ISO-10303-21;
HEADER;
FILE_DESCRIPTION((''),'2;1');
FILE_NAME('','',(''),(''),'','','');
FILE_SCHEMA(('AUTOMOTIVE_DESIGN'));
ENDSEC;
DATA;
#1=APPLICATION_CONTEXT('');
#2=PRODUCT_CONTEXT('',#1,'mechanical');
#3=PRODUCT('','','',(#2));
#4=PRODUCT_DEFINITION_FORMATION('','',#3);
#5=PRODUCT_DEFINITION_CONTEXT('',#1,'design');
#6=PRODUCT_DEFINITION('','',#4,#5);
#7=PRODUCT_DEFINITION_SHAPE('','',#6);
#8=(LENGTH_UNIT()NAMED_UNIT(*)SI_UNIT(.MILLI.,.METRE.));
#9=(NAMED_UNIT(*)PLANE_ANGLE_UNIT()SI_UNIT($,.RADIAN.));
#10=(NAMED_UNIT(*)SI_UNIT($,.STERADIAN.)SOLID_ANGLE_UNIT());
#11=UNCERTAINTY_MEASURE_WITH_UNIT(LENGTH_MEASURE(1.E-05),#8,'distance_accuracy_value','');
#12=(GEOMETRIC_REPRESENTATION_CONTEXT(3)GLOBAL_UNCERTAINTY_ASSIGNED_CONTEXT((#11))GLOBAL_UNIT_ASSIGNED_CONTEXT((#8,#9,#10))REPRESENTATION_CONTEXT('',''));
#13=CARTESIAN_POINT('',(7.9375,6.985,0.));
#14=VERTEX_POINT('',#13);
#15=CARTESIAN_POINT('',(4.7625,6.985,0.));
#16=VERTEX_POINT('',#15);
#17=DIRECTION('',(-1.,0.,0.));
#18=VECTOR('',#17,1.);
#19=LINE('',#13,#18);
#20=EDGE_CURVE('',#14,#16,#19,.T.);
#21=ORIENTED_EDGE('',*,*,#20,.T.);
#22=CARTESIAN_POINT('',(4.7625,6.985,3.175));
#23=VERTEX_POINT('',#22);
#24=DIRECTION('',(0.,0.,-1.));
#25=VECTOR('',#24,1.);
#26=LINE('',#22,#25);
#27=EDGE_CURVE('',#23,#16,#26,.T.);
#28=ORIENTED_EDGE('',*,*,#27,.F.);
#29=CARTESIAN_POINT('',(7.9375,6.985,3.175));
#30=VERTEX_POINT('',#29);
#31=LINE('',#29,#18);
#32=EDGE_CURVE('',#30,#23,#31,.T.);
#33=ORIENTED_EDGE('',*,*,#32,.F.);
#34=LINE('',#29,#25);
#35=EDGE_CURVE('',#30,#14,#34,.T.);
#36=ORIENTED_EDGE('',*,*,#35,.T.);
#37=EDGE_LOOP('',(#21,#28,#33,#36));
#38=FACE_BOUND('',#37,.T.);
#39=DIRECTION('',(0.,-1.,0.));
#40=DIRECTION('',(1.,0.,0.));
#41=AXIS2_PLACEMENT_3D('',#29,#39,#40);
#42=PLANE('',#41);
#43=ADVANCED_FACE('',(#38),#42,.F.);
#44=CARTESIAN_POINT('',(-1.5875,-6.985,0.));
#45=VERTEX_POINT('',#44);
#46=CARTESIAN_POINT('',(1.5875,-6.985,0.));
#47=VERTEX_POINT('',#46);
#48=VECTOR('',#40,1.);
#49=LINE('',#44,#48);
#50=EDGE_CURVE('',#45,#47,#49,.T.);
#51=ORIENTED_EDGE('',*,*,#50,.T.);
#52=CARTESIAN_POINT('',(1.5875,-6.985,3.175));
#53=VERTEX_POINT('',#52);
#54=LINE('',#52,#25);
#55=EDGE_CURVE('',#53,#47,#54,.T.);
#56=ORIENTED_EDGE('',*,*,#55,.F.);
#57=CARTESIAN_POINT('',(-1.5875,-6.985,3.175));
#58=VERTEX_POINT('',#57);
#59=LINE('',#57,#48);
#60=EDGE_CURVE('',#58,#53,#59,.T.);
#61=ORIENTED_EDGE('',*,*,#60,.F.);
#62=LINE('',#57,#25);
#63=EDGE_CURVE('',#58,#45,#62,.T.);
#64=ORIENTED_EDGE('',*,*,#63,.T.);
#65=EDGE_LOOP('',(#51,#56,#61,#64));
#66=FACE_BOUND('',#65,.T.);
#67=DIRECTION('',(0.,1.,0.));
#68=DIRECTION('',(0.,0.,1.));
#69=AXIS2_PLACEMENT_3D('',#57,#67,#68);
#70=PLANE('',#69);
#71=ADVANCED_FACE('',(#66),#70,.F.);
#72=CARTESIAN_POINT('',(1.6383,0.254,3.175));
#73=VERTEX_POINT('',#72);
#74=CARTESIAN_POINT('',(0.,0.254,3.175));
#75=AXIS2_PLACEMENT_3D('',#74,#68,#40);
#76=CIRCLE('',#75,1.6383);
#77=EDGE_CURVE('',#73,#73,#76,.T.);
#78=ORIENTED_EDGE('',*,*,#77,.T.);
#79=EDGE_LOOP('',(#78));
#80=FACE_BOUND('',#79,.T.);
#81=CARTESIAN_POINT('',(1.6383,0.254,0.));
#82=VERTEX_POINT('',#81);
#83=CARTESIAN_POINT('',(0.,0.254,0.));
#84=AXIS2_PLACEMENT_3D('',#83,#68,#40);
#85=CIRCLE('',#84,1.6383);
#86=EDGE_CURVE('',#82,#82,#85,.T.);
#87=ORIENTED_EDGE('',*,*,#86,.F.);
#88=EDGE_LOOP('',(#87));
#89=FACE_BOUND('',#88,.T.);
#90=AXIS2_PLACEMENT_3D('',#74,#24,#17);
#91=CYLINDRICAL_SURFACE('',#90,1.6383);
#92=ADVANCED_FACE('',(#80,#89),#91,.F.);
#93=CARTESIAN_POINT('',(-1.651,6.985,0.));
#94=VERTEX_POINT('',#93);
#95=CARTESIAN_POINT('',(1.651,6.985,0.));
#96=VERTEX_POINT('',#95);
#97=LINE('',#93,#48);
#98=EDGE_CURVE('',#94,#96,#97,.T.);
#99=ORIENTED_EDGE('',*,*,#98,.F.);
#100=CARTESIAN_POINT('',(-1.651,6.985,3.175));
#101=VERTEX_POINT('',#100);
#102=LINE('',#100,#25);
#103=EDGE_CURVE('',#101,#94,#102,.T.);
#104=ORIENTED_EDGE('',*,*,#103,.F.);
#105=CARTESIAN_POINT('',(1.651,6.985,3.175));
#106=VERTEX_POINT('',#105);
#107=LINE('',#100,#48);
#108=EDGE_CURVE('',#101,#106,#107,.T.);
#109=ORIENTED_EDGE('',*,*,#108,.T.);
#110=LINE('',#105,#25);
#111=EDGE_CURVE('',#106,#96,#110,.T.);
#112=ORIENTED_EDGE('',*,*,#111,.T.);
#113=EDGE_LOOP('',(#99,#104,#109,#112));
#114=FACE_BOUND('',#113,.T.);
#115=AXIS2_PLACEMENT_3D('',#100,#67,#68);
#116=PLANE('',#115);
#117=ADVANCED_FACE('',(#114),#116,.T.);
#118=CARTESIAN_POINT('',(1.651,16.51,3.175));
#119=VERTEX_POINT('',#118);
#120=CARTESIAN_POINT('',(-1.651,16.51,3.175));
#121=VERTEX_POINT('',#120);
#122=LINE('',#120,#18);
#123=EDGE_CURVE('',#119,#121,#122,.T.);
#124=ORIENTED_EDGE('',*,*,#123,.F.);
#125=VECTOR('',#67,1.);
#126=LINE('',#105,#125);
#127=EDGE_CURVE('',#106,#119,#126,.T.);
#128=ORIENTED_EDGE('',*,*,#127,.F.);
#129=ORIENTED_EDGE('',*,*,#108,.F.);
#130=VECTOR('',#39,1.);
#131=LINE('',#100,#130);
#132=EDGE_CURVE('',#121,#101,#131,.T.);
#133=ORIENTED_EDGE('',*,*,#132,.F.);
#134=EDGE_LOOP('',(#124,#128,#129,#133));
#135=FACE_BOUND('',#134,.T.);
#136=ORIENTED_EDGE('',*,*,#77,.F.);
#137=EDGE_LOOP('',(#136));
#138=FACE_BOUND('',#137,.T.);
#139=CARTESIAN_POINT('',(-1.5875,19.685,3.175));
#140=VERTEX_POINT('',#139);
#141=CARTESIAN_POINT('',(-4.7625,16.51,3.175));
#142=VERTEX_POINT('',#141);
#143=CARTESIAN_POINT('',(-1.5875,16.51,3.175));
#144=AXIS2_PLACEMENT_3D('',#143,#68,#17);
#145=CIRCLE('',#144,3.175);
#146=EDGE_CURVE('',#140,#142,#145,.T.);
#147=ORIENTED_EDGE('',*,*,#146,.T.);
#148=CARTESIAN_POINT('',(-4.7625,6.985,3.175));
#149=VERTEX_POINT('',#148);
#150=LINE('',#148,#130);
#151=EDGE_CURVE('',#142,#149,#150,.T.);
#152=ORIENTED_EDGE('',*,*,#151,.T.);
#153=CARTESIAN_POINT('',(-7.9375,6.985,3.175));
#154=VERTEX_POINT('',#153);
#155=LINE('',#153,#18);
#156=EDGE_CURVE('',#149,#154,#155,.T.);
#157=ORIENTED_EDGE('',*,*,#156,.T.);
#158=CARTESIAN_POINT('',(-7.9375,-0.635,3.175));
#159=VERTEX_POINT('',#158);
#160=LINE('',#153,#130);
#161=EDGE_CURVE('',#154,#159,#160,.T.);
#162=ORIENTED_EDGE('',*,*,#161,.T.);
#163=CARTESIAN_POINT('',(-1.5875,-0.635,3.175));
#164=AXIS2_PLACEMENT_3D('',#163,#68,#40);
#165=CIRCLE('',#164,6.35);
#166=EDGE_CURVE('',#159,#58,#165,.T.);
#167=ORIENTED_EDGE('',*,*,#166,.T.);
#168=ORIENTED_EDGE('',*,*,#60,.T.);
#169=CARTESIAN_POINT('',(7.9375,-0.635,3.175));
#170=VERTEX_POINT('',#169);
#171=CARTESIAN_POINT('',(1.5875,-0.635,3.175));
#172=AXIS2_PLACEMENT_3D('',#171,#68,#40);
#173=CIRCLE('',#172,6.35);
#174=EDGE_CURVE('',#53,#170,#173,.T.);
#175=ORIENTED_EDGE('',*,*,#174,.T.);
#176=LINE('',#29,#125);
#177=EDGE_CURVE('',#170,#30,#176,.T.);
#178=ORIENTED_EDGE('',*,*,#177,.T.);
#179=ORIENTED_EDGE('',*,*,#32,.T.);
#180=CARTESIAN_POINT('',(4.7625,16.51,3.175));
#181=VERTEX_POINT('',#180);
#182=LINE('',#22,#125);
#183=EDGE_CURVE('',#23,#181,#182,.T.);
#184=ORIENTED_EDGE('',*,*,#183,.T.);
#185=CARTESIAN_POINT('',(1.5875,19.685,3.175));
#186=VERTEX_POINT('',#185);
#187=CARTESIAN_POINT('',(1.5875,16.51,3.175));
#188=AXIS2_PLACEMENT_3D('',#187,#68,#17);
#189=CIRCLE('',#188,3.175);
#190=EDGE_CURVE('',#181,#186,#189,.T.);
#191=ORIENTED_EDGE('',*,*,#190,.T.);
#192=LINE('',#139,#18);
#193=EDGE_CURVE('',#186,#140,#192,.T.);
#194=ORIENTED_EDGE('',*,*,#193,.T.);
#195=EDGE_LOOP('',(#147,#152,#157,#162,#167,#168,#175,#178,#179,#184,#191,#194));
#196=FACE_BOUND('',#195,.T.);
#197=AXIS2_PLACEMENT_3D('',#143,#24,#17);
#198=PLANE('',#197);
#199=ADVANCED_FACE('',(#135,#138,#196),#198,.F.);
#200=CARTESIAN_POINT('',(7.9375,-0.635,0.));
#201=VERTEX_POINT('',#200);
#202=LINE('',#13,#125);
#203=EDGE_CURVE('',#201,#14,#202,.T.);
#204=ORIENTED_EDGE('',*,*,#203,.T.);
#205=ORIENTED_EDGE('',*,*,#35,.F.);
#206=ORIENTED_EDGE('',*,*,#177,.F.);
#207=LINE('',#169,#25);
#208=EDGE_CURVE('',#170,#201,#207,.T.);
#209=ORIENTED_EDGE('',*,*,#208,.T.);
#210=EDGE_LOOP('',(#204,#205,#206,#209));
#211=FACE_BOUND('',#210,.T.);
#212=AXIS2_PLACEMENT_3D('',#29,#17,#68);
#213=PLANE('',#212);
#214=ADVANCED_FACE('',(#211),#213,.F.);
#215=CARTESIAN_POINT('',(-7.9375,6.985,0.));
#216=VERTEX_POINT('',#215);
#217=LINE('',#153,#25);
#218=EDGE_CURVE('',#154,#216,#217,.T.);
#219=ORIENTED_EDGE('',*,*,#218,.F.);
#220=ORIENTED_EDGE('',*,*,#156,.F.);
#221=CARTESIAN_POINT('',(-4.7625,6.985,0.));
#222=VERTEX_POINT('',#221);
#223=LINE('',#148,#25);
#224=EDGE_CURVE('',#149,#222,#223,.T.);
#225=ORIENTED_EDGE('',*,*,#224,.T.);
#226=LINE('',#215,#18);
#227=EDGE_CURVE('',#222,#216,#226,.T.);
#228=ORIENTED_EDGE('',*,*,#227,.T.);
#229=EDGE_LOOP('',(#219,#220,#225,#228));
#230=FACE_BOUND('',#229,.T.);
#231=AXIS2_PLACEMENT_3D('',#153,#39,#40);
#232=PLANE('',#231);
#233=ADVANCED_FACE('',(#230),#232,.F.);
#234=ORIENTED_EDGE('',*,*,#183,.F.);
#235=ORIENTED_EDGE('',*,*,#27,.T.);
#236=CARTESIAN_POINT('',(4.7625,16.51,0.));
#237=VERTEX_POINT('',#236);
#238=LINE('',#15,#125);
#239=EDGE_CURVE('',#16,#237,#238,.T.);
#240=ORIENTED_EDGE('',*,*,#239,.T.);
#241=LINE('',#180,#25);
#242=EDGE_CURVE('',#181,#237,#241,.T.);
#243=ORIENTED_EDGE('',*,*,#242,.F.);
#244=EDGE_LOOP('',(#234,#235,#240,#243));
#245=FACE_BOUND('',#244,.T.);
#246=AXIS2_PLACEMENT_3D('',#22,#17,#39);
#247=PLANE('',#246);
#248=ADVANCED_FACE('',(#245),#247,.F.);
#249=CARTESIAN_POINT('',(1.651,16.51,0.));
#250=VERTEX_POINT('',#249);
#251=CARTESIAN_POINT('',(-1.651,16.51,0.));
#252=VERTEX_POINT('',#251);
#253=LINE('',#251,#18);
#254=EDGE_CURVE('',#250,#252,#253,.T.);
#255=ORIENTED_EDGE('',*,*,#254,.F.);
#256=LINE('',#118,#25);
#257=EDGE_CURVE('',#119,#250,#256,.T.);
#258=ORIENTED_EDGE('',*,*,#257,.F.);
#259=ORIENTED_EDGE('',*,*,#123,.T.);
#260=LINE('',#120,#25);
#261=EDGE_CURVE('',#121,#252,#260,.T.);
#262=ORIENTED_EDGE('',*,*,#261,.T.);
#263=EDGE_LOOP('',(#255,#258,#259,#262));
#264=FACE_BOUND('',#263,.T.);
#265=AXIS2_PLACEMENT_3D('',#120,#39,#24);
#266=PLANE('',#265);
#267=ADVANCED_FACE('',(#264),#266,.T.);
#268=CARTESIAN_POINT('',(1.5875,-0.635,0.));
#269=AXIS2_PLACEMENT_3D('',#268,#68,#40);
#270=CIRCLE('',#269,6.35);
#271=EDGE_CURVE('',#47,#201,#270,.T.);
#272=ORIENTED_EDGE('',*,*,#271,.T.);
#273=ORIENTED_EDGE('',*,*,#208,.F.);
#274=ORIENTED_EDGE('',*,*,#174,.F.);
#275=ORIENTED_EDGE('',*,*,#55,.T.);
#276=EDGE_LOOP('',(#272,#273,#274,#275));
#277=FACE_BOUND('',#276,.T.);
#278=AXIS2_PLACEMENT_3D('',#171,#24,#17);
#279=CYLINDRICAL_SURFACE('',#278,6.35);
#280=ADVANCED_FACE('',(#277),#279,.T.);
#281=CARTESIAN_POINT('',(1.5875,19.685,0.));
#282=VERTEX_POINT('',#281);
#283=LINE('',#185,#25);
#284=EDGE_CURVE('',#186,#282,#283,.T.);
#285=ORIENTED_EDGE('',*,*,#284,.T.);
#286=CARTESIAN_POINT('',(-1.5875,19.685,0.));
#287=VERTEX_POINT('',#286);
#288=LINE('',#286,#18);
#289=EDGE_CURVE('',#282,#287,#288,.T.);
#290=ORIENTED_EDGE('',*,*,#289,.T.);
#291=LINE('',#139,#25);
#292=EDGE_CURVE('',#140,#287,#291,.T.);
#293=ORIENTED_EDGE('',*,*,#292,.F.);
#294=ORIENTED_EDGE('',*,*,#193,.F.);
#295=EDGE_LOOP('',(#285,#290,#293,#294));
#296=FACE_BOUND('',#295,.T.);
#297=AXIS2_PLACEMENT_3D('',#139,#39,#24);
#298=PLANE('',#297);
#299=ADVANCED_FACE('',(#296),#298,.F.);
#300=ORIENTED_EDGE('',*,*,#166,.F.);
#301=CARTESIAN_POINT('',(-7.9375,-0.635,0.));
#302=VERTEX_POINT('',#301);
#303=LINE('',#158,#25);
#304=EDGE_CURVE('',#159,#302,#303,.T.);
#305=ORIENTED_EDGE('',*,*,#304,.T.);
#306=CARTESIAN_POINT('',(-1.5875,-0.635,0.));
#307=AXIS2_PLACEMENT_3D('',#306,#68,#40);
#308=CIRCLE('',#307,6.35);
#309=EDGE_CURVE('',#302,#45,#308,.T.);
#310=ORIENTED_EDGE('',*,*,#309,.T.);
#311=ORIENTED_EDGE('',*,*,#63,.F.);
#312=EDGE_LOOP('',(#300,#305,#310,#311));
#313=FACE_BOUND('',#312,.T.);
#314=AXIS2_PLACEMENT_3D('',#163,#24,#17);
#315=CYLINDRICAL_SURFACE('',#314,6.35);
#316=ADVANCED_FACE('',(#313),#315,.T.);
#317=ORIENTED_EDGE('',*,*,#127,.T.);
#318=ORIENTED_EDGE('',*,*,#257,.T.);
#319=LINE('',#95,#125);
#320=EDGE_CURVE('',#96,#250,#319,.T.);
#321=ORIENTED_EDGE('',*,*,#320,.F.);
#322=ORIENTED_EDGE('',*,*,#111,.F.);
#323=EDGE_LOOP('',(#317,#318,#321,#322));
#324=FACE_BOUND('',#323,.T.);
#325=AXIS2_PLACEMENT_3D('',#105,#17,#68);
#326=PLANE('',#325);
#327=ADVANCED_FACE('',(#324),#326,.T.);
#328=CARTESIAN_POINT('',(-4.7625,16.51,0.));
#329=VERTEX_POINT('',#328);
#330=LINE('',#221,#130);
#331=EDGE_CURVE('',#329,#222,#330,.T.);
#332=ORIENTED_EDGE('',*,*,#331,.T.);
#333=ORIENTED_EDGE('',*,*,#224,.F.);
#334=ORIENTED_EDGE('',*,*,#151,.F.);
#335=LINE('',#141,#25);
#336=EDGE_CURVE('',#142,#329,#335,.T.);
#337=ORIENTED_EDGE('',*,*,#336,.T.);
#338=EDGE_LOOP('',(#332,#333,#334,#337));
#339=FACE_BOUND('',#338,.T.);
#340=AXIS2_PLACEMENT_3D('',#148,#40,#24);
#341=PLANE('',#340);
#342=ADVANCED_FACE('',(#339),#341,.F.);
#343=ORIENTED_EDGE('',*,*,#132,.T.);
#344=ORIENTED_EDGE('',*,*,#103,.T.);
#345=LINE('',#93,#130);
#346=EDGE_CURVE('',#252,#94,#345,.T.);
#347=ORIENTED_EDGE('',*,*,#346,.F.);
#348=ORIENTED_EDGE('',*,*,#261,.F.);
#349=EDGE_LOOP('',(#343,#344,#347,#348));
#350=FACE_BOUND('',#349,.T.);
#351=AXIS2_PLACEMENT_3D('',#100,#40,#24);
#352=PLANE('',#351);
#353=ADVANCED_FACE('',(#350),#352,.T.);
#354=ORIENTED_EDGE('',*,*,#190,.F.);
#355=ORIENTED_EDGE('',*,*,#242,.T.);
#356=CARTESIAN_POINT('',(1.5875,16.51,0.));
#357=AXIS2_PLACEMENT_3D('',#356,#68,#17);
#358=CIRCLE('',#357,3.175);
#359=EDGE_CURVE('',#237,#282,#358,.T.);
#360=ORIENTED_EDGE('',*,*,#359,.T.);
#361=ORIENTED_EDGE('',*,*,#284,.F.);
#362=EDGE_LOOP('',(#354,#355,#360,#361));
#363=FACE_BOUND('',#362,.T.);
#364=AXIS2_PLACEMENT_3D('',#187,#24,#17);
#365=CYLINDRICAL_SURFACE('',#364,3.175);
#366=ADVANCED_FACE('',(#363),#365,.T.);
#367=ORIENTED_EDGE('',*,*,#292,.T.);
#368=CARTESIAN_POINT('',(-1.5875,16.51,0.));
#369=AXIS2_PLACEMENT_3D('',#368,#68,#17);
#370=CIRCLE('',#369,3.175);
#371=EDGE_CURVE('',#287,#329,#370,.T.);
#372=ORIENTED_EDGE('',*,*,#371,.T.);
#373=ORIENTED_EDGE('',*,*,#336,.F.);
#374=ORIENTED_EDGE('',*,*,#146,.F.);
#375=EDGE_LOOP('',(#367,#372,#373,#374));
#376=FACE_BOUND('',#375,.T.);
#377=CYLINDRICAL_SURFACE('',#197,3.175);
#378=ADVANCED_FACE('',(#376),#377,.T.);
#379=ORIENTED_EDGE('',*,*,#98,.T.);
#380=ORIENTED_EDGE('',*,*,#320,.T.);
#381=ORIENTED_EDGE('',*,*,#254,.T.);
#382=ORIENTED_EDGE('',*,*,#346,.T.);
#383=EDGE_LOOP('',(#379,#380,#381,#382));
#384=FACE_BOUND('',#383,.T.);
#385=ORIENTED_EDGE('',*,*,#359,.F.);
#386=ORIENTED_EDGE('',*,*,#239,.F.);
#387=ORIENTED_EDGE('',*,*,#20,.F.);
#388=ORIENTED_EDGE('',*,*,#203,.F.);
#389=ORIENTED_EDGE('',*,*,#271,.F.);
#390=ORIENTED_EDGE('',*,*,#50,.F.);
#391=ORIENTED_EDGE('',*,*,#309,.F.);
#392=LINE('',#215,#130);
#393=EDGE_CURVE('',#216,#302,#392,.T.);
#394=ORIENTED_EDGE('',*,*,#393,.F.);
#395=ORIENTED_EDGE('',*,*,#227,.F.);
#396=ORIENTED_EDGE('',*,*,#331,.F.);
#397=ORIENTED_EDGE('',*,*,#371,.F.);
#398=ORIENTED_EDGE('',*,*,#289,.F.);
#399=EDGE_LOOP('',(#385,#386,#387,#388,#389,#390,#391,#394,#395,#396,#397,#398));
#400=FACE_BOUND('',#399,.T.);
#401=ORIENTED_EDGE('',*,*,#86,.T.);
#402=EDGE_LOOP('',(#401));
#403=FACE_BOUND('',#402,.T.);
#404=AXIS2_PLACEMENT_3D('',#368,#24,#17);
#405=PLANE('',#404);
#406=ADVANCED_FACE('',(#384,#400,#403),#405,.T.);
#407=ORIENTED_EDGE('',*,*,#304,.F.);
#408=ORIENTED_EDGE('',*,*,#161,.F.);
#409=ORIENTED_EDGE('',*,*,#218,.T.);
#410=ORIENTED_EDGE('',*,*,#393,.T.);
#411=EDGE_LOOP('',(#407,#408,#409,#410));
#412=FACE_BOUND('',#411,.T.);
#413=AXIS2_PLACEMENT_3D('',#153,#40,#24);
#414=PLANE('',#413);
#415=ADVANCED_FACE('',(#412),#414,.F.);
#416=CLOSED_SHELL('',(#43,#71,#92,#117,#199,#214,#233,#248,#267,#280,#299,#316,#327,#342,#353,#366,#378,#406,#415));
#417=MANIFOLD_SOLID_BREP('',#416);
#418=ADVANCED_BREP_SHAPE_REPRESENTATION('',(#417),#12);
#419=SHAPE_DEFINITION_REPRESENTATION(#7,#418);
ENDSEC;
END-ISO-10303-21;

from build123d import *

# Parameters (mm, degrees)
SKETCH1_R           = 1.6383
SKETCH1_W           = 3.302
SKETCH1_H           = 9.525
BOSS_EXTRUDE1_DEPTH = 3.175


with BuildPart() as part:
    # Sketch1 → Boss-Extrude1 (new body)
    with BuildSketch(Plane.XY):
        with BuildLine():
            Line((-1.5875, 19.685), (1.5875, 19.685))
            ThreePointArc((1.5875, 19.685), (3.83256403, 18.75506403), (4.7625, 16.51))
            Line((4.7625, 16.51), (4.7625, 6.985))
            Line((4.7625, 6.985), (7.9375, 6.985))
            Line((7.9375, 6.985), (7.9375, -0.635))
            ThreePointArc((7.9375, -0.635), (6.077628061, -5.125128061), (1.5875, -6.985))
            Line((1.5875, -6.985), (-1.5875, -6.985))
            ThreePointArc((-1.5875, -6.985), (-6.077628061, -5.125128061), (-7.9375, -0.635))
            Line((-7.9375, -0.635), (-7.9375, 6.985))
            Line((-7.9375, 6.985), (-4.7625, 6.985))
            Line((-4.7625, 6.985), (-4.7625, 16.51))
            ThreePointArc((-4.7625, 16.51), (-3.83256403, 18.75506403), (-1.5875, 19.685))
        make_face()
        with Locations((0, 0.254)):
            Circle(SKETCH1_R, mode=Mode.SUBTRACT)
        with Locations((0, 11.7475)):
            Rectangle(SKETCH1_W, SKETCH1_H, mode=Mode.SUBTRACT)
    extrude(amount=BOSS_EXTRUDE1_DEPTH)


solid = part.part
